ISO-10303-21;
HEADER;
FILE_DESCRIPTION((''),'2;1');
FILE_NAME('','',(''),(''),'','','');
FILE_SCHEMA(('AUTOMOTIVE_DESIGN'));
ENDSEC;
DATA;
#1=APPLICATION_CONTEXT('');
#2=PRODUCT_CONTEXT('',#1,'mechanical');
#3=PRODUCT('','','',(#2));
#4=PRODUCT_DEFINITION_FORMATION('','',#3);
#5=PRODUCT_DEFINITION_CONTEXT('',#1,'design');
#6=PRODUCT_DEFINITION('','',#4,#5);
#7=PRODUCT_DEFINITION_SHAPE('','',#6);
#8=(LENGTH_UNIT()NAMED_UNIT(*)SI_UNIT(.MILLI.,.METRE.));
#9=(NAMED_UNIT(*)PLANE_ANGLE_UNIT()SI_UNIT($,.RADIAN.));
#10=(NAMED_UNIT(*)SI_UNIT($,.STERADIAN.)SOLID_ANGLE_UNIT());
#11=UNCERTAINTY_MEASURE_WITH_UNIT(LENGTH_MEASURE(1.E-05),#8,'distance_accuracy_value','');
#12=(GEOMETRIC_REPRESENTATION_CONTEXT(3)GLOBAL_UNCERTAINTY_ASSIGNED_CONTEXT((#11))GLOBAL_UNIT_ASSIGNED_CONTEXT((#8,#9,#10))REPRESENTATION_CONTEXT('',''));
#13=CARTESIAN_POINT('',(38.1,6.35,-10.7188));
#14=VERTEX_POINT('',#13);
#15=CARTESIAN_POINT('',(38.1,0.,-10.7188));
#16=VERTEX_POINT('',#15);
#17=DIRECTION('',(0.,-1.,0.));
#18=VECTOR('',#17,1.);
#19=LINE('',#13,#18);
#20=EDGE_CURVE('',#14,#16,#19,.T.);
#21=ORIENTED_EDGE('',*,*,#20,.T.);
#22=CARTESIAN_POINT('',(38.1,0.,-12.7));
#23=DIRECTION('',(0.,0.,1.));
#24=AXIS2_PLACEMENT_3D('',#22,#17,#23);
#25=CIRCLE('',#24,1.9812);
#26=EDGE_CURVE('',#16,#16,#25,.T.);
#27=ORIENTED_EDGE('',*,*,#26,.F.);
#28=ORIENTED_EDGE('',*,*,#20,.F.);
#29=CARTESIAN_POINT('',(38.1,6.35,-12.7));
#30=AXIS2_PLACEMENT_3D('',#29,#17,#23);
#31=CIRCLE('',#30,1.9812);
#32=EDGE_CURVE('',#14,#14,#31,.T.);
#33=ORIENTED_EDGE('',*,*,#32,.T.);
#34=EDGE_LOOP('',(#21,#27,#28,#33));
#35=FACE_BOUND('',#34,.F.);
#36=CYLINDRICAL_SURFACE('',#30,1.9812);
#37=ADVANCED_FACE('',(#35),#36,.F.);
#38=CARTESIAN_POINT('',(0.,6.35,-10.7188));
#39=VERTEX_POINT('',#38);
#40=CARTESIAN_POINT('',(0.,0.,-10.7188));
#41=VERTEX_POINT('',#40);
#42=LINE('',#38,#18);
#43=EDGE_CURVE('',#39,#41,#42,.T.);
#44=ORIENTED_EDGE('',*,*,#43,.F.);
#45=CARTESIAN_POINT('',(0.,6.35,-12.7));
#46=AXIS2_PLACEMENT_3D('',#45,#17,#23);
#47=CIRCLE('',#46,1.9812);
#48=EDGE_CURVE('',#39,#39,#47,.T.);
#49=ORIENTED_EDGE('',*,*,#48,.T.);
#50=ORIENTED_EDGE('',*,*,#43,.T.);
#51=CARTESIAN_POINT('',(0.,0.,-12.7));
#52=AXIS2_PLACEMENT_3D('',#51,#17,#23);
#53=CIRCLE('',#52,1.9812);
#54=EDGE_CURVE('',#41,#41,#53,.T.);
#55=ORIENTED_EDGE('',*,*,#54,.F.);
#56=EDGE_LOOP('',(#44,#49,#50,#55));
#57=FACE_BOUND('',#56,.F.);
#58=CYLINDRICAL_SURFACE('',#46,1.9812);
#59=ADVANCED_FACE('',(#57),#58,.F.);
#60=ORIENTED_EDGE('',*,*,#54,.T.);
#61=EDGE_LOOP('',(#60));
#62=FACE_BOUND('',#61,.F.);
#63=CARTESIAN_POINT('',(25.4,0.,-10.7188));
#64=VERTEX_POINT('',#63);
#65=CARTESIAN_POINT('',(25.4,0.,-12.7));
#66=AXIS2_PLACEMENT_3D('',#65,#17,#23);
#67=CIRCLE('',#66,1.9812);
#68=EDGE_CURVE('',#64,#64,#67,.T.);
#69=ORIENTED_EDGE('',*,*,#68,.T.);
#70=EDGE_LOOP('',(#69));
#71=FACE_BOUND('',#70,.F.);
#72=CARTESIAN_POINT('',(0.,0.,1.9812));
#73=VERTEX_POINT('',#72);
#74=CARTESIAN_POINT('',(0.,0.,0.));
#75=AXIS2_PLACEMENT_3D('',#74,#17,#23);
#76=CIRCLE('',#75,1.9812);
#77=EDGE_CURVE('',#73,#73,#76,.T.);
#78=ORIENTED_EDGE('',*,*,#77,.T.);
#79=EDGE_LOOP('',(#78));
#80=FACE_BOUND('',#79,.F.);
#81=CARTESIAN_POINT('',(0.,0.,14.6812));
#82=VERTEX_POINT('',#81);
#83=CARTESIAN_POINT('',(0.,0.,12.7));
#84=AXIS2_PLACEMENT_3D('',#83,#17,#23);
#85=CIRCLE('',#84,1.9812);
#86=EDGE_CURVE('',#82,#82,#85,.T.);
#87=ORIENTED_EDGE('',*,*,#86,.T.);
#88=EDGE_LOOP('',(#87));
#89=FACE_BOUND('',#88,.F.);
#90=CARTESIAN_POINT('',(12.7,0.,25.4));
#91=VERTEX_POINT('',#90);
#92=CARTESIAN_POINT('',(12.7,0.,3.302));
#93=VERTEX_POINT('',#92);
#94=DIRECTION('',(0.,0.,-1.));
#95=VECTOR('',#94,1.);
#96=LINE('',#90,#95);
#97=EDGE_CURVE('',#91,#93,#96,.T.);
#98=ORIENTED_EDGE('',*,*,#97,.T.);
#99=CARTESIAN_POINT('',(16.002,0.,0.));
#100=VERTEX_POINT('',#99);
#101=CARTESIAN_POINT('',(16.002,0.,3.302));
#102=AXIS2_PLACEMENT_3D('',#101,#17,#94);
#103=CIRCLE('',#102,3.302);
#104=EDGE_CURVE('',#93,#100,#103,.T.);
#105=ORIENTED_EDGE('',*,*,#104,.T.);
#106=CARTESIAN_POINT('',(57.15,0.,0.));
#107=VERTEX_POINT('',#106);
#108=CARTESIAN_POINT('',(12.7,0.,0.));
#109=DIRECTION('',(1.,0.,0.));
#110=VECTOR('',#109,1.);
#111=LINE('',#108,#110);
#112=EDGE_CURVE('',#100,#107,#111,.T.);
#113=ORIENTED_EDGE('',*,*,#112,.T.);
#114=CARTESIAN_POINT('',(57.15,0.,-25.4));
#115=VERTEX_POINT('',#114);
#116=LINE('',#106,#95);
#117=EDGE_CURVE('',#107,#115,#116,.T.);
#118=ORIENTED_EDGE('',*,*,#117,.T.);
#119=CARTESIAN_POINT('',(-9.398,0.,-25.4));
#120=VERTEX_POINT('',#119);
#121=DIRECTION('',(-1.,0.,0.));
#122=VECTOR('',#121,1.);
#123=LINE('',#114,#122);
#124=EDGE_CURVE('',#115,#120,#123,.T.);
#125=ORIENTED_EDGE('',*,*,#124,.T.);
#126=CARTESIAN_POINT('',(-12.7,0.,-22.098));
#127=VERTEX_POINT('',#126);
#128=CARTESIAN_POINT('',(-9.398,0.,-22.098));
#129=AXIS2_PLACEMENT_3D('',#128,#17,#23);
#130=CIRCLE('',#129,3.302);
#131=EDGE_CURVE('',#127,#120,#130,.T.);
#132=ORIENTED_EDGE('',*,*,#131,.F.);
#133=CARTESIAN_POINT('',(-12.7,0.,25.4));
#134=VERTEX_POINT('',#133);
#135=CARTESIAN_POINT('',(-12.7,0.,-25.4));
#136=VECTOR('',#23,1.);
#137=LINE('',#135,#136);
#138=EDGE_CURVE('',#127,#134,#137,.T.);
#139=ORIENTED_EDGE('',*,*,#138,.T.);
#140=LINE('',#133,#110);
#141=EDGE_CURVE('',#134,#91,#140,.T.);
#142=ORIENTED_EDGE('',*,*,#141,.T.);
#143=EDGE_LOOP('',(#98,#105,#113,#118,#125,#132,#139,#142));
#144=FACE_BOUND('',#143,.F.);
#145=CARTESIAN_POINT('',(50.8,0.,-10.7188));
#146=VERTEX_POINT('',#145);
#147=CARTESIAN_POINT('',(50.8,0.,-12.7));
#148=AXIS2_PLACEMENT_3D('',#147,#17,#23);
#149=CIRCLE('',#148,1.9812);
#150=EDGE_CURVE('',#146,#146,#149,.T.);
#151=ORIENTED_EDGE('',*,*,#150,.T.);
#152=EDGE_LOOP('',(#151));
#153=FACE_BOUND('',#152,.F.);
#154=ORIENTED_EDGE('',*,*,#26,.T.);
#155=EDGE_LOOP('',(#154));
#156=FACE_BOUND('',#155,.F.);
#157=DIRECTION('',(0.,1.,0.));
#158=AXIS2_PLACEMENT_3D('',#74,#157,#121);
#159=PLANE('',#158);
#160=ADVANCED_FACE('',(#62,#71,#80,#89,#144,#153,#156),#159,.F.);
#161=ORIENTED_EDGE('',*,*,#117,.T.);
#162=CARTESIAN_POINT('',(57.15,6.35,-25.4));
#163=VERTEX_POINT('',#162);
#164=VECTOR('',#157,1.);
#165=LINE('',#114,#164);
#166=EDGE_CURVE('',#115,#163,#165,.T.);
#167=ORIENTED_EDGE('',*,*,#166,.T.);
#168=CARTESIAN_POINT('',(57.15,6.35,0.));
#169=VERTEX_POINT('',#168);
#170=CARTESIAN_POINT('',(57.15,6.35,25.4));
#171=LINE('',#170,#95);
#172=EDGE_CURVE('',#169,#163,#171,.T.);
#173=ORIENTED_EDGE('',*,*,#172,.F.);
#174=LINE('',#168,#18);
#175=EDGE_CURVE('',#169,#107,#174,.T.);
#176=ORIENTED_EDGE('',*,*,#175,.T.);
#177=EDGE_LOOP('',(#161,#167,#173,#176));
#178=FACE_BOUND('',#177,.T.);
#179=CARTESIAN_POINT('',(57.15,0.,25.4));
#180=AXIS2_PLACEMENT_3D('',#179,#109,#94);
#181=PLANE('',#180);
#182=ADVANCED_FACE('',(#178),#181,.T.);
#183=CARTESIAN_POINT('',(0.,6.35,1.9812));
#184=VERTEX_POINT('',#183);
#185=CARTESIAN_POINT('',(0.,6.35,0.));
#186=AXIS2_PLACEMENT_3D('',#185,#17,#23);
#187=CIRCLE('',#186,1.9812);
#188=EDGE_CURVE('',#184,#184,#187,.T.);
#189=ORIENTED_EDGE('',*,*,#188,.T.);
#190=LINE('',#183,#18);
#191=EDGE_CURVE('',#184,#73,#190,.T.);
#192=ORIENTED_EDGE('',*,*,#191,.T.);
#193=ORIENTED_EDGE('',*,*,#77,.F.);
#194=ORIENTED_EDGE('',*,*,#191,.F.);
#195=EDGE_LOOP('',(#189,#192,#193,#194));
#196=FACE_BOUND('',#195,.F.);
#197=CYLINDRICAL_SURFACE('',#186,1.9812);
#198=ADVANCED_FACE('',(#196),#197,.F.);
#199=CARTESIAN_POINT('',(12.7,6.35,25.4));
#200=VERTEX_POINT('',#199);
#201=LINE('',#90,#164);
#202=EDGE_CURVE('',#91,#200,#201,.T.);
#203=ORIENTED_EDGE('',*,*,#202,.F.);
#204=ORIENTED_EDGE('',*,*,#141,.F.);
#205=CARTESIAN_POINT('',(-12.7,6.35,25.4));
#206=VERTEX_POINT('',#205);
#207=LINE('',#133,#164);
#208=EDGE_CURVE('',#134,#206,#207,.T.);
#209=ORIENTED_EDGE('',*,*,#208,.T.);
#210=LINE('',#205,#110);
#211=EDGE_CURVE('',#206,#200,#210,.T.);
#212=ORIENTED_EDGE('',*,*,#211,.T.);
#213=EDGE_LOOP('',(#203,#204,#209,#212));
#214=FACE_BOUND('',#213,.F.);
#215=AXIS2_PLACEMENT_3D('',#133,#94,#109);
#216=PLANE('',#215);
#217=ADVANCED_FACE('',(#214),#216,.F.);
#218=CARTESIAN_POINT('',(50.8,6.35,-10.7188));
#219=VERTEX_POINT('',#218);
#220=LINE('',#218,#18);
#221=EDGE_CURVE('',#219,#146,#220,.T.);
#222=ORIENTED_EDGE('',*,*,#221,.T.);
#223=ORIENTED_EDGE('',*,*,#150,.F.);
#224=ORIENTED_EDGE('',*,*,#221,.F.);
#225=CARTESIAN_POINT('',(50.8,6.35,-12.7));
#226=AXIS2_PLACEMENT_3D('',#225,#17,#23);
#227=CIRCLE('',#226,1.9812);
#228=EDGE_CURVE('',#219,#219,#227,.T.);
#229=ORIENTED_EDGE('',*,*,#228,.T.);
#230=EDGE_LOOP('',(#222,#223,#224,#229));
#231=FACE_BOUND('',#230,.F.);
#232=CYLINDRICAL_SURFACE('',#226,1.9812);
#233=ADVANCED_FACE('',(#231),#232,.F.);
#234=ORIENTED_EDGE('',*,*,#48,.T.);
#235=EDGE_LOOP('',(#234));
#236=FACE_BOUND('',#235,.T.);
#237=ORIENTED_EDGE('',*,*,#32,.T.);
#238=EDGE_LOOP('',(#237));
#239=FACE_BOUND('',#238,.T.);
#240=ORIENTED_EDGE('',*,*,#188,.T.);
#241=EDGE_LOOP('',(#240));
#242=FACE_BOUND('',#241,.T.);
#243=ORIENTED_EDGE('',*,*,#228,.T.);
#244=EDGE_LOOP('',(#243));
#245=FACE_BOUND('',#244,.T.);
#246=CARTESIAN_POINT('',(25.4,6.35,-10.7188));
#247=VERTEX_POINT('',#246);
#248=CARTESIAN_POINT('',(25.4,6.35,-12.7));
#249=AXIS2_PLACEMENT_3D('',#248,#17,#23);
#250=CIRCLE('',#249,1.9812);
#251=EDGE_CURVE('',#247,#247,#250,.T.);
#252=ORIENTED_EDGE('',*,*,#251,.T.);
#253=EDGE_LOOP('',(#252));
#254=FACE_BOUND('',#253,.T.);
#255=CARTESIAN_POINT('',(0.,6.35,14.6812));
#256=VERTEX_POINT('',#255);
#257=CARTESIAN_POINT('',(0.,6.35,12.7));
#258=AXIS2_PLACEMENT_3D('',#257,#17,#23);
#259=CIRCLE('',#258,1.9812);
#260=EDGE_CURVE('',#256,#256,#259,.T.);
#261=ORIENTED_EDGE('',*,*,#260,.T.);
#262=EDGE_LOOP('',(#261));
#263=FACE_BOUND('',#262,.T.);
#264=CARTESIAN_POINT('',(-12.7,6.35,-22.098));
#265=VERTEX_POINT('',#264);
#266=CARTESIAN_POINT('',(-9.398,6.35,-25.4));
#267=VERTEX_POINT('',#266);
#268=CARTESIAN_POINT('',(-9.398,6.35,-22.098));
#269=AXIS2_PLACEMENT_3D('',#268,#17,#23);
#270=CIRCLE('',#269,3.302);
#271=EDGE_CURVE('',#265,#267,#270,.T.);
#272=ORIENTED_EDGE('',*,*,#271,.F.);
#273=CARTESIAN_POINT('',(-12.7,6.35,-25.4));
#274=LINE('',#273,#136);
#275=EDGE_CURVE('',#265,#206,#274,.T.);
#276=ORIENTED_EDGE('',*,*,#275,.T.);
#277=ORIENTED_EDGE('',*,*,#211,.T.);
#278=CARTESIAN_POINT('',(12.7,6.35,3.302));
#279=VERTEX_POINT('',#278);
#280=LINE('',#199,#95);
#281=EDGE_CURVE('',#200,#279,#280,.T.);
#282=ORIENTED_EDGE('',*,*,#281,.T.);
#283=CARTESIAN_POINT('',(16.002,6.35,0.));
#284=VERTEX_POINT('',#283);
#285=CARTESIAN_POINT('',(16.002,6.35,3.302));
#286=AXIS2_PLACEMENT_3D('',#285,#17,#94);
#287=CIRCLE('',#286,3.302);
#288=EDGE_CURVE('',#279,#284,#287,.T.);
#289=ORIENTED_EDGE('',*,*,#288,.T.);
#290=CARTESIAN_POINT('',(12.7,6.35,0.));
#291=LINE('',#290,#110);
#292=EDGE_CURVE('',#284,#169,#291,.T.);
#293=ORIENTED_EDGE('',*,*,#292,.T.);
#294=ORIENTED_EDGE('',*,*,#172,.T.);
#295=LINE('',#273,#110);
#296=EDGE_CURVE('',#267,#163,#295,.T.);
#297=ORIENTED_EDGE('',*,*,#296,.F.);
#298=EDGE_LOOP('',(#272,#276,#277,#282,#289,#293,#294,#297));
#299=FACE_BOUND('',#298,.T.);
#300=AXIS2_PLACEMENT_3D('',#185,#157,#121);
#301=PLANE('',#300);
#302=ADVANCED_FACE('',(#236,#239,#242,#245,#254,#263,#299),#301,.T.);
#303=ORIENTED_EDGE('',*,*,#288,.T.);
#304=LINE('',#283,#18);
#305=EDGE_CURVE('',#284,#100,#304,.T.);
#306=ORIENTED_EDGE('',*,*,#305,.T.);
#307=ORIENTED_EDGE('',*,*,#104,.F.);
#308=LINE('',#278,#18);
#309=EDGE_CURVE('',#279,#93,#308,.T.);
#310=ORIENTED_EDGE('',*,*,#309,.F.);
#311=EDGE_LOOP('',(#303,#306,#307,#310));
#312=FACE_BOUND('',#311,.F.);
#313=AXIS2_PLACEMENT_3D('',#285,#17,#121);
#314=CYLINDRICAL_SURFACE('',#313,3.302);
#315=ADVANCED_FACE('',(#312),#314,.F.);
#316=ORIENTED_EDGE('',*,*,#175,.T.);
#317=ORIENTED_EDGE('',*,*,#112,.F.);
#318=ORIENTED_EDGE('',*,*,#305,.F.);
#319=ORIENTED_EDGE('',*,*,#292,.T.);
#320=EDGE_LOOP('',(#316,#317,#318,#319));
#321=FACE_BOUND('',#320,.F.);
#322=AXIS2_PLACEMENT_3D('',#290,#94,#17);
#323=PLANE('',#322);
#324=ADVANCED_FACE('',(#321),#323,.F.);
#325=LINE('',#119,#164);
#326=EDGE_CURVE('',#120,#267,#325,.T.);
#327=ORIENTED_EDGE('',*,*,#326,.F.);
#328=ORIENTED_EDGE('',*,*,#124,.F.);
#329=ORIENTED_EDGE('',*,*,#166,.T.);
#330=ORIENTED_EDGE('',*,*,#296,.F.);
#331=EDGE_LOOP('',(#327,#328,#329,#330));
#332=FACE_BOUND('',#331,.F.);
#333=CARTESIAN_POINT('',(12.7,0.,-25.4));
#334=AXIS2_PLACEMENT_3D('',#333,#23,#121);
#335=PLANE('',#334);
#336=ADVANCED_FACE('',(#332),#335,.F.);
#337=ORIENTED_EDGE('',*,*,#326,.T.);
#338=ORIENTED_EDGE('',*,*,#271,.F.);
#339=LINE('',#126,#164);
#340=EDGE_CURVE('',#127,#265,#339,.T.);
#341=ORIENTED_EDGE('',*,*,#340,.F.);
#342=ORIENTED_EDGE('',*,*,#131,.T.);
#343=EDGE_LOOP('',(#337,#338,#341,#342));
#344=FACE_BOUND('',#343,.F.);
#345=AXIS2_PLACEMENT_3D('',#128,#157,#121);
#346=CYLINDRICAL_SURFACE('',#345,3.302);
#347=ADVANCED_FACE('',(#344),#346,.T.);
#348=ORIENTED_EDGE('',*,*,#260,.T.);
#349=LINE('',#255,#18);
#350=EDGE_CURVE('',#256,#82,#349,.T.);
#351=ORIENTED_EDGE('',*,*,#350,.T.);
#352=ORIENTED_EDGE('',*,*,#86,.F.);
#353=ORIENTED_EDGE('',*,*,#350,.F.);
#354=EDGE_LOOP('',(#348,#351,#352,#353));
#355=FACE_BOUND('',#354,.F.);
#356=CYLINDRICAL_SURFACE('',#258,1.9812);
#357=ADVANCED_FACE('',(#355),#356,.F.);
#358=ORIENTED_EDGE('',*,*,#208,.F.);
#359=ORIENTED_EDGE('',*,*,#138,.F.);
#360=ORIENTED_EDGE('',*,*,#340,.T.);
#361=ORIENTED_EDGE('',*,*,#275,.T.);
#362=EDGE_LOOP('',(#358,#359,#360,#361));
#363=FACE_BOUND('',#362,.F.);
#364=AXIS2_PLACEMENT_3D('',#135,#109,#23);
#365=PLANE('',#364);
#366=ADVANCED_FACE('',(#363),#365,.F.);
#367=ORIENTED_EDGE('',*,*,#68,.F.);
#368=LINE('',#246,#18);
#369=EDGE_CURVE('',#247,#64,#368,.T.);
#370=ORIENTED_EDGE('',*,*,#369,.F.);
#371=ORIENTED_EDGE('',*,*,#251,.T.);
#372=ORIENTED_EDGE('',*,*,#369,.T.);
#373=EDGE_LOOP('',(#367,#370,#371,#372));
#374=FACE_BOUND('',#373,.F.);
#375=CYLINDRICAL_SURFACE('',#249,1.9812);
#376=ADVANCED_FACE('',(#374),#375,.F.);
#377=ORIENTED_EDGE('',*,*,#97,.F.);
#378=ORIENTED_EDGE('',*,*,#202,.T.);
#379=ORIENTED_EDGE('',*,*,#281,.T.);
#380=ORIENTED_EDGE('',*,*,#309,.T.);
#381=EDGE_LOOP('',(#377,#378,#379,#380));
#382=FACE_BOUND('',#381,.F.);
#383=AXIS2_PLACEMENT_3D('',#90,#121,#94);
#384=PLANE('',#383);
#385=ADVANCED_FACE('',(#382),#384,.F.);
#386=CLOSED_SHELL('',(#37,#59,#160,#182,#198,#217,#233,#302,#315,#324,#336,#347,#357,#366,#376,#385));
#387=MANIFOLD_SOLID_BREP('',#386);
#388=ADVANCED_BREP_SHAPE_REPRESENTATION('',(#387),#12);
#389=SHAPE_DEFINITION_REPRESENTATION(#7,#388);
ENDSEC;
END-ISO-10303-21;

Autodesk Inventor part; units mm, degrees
ref_plane "YZ Plane" through (0, 0, 0) normal (1, 0, 0) x (0, 1, 0)
ref_plane "XZ Plane" through (0, 0, 0) normal (0, 1, 0) x (-1, 0, 0)
ref_plane "XY Plane" through (0, 0, 0) normal (0, 0, 1) x (1, 0, 0)
sketch "Sketch1" plane through (0, 0, 0) normal (0, 1, 0) x (-1, 0, 0)
  line L0 (12.7, 25.4) -> (-12.7, 25.4)
  line L1 (-12.7, 25.4) -> (-12.7, -25.4)
  line L2 (-12.7, -25.4) -> (12.7, -25.4)
  line L3 (12.7, -25.4) -> (12.7, 25.4)
  line L4 (12.7, 25.4) -> (-12.7, -25.4) construction
  line L5 (-12.7, 25.4) -> (12.7, -25.4) construction
  point P0 (0, 0)
  dimension "d0" = 25.4
  dimension "d1" = 50.8
extrude "Extrusion1" add sketch "Sketch1" along normal blind 6.35
sketch "Sketch3" plane through (12.7, 0, 25.4) normal (1, 0, 0) x (0, 0, -1)
  line L0 (0, 6.35) -> (50.8, 6.35) projected
  line L1 (50.8, 6.35) -> (25.4, 6.35)
  line L2 (25.4, 6.35) -> (25.4, 0)
  line L3 (25.4, 0) -> (50.8, 0)
  line L4 (50.8, 0) -> (50.8, 6.35)
  dimension "d14" = 25.4
extrude "Extrusion2" add sketch "Sketch3" along normal blind 44.45
sketch "Sketch4" plane through (0, 6.35, 0) normal (0, 1, 0) x (1, 0, 0)
  line L0 (-12.7, -25.4) -> (12.7, -25.4) projected
  point P0 (0, 0)
  point P1 (0, -12.7)
  point P2 (0, 0)
  point P3 (0, 12.7)
  point P4 (0, -25.4)
  point P5 (0, -25.4)
  point P6 (0, -25.4)
  point P7 (25.4, 12.7)
  point P8 (38.1, 12.7)
  point P9 (50.8, 12.7)
  dimension "d17" = 12.7
  dimension "d18" = 12.7
  dimension "d19" = 12.7
  dimension "d20" = 25.4
  dimension "d21" = 12.7
  dimension "d22" = 12.7
hole "Hole2" at (0, 6.35, 12.7) at (0, 6.35, 0) at (0, 6.35, -12.7) at (25.4, 6.35, -12.7) at (38.1, 6.35, -12.7) at (50.8, 6.35, -12.7) direction (0, -1, 0) diameter 3.9624 end through all thread size "10-32 UNF" class "2B" standard "ANSI Unified Screw Threads"
fillet "Fillet1" radius 3.302 2 edges at (12.7, 3.175, 0) (-12.7, 3.175, -25.4)
properties part number "DB1-004" material "Aluminum 6061"
